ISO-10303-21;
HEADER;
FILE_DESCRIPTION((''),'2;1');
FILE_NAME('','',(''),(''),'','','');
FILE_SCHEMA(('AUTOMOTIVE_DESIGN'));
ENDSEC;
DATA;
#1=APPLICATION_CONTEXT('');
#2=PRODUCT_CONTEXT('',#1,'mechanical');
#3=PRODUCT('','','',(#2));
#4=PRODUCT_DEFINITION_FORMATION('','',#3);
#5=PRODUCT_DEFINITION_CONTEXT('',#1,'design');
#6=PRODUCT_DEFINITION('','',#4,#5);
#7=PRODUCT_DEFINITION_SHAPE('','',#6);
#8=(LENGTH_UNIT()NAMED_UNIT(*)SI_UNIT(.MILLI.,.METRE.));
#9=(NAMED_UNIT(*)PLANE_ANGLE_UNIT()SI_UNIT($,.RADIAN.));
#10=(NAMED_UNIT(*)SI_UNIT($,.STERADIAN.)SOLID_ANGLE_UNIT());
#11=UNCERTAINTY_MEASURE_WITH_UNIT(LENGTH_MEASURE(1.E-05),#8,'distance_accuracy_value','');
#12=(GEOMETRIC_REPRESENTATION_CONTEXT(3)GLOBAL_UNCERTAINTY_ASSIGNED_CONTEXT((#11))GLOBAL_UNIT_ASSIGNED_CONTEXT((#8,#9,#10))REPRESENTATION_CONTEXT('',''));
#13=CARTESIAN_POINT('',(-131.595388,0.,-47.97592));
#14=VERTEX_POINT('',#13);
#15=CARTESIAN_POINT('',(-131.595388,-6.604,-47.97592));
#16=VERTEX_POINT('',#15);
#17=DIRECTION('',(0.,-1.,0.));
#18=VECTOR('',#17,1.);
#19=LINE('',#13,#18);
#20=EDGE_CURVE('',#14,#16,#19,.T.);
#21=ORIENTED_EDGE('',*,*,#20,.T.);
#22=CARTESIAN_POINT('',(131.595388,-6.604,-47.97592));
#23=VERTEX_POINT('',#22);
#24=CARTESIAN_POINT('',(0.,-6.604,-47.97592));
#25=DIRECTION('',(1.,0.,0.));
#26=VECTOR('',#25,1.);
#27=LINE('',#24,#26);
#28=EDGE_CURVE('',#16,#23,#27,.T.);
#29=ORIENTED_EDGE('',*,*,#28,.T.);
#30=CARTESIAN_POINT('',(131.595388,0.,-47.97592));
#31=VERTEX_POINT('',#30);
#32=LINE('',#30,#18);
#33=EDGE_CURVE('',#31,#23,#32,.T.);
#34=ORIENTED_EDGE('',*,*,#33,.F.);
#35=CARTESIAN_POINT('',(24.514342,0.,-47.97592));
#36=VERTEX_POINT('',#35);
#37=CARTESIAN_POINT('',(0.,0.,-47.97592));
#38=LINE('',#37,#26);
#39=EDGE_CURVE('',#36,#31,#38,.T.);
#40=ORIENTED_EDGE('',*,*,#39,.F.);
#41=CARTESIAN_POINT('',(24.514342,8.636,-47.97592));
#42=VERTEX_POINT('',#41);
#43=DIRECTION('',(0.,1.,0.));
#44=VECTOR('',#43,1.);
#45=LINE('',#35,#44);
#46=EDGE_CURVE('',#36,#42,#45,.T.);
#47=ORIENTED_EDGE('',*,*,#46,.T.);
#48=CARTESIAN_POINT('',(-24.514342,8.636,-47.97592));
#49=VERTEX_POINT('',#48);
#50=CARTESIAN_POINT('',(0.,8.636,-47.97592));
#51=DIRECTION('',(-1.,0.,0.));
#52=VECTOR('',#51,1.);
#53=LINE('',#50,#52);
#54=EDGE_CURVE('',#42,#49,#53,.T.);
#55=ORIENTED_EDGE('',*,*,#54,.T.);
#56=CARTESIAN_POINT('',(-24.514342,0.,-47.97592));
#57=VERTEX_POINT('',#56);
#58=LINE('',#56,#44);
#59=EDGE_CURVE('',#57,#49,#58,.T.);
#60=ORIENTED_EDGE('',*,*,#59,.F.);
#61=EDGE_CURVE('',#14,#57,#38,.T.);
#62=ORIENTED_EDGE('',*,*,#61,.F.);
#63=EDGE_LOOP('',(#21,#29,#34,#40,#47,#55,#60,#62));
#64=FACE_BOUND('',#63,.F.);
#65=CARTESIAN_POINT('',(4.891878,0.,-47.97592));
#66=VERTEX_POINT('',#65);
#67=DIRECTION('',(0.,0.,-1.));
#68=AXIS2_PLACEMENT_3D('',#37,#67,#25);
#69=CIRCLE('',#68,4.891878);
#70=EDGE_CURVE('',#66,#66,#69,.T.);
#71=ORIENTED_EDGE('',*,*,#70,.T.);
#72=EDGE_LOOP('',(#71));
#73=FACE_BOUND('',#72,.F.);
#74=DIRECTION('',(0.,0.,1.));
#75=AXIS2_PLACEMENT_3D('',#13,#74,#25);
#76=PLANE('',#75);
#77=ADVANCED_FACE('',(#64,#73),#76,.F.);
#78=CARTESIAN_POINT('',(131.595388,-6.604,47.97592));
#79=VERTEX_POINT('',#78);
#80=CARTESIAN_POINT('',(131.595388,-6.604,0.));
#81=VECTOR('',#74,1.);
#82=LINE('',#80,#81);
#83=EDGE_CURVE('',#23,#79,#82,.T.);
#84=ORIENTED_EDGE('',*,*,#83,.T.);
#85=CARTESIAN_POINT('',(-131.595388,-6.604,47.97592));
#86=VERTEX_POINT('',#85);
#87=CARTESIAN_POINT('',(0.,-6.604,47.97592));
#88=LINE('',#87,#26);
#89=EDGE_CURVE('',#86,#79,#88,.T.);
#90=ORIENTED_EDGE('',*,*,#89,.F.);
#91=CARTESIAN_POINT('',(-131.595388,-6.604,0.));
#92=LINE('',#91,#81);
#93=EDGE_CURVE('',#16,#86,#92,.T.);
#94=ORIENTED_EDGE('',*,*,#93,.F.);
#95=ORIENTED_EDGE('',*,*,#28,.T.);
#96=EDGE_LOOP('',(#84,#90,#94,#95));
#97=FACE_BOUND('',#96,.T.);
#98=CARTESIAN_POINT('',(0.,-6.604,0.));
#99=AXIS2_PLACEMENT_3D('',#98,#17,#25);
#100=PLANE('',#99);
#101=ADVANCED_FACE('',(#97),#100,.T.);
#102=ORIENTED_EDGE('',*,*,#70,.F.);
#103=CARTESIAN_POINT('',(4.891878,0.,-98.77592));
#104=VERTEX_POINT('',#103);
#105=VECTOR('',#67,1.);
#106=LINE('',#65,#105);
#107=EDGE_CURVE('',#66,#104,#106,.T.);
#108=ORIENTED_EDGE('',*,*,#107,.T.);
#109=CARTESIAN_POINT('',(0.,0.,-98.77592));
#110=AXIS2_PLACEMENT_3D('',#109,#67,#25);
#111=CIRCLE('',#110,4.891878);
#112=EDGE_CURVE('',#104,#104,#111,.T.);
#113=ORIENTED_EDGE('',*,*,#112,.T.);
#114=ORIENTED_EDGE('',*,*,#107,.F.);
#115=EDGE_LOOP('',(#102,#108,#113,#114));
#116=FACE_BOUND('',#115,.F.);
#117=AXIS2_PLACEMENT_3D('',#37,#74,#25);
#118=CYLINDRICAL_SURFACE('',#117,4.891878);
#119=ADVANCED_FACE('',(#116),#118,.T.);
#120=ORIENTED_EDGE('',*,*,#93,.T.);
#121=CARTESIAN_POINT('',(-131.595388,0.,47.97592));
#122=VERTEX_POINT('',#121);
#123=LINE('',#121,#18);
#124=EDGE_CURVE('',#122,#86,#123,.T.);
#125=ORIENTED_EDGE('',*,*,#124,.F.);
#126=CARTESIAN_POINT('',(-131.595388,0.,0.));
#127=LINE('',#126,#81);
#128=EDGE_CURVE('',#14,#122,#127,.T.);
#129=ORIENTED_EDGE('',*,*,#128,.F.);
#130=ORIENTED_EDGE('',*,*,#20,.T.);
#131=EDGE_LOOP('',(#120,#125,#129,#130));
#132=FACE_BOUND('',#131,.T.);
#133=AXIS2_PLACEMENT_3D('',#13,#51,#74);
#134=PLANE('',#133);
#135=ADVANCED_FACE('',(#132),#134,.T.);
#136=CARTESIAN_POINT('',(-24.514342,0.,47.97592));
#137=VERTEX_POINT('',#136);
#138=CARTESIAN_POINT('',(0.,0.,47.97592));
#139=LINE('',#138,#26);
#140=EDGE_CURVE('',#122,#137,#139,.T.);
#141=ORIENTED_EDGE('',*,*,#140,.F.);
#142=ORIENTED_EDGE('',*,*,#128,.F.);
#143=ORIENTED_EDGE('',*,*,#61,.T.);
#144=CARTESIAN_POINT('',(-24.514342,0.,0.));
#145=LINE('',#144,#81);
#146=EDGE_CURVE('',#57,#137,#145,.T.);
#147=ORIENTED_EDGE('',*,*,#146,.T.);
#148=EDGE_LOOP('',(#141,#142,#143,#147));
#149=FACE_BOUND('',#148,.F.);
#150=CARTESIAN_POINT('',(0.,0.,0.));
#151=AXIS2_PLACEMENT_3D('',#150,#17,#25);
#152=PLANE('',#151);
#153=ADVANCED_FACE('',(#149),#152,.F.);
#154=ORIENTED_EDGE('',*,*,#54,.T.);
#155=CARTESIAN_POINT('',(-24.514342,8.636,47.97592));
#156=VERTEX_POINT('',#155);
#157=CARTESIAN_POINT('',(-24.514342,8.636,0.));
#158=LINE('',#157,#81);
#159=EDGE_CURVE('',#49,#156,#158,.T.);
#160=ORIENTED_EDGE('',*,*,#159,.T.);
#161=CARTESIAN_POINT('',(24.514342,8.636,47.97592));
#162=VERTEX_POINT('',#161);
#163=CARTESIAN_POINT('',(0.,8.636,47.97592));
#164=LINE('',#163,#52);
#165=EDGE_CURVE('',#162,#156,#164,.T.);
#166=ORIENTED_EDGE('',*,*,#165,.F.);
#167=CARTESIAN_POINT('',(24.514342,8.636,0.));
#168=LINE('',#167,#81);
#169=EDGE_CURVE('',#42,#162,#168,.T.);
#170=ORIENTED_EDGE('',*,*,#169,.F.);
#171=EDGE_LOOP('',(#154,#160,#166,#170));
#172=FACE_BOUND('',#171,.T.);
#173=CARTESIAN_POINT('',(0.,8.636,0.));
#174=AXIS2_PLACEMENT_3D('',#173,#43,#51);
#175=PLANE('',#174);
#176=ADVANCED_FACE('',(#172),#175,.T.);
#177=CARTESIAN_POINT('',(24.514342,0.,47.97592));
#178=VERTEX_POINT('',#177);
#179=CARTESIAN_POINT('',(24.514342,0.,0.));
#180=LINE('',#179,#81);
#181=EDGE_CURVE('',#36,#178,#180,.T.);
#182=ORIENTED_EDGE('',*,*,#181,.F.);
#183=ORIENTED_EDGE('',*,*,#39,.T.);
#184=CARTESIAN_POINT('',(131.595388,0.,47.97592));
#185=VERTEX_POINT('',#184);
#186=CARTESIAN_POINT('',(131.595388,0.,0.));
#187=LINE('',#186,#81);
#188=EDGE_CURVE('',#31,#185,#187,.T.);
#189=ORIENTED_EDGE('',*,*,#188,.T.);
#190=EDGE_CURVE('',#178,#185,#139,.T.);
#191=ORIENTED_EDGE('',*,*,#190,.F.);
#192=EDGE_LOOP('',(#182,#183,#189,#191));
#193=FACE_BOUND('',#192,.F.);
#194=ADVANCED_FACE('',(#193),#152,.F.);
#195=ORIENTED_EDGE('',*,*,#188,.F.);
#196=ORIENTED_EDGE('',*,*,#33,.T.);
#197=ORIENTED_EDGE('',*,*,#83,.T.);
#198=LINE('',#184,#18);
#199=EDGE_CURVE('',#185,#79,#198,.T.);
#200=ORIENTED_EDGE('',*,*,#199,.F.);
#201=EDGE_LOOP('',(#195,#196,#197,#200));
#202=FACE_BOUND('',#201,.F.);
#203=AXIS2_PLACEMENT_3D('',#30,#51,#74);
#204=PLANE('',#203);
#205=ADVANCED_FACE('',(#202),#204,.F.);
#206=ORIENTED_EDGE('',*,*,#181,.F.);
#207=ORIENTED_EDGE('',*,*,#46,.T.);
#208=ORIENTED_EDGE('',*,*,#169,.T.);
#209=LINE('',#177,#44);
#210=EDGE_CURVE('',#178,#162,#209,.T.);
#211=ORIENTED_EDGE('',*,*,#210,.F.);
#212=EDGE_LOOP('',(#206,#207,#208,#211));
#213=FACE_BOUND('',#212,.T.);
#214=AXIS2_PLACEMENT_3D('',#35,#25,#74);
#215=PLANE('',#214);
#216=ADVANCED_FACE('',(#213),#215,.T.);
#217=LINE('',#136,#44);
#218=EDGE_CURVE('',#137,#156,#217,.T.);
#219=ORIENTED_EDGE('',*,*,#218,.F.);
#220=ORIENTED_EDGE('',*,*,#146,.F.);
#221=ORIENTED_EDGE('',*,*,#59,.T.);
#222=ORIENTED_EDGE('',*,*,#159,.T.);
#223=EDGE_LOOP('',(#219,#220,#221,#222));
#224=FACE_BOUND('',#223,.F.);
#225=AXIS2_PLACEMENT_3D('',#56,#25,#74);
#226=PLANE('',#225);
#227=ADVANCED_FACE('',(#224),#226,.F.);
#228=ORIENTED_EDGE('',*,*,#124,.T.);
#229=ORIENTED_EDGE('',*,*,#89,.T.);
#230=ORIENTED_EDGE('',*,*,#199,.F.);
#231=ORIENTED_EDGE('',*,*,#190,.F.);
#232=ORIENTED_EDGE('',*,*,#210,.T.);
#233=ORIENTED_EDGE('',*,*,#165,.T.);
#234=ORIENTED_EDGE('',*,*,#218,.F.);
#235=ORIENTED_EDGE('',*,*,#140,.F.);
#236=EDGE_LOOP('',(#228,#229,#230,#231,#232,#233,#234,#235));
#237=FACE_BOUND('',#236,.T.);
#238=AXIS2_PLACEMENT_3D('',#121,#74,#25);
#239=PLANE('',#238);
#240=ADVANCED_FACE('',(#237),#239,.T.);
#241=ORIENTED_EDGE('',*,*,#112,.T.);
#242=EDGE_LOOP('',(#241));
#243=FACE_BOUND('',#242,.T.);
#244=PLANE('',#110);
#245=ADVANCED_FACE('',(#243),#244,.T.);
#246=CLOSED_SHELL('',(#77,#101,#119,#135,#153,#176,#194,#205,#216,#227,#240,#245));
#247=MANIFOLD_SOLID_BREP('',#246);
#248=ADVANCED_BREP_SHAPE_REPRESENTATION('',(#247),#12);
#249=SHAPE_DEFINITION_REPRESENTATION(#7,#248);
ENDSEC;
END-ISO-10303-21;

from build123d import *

# Parameters (mm, degrees)
F0_W     = 263.190776
F0_H     = 95.95184
F1_DEPTH = 6.604
F2_W     = 49.028684
F2_H     = 95.95184
F3_DEPTH = 8.636
F4_R     = 4.891878
F5_DEPTH = 50.8


with BuildPart() as f1:
    # F0 (on Front) → F1 (new body)
    with BuildSketch(Plane.XZ):
        Rectangle(F0_W, F0_H)
    extrude(amount=F1_DEPTH)

    # F2 (on face) → F3 (join)
    with BuildSketch(Plane(origin=(0, 0, 0), x_dir=(-1, 0, 0), z_dir=(0, 1, 0))):
        Rectangle(F2_W, F2_H)
    extrude(amount=F3_DEPTH)

    # F4 (on face) → F5 (join)
    with BuildSketch(Plane(origin=(0, 0, -47.97592), x_dir=(1, 0, 0), z_dir=(0, 0, -1))):
        Circle(F4_R)
    extrude(amount=F5_DEPTH)


solid = f1.part
